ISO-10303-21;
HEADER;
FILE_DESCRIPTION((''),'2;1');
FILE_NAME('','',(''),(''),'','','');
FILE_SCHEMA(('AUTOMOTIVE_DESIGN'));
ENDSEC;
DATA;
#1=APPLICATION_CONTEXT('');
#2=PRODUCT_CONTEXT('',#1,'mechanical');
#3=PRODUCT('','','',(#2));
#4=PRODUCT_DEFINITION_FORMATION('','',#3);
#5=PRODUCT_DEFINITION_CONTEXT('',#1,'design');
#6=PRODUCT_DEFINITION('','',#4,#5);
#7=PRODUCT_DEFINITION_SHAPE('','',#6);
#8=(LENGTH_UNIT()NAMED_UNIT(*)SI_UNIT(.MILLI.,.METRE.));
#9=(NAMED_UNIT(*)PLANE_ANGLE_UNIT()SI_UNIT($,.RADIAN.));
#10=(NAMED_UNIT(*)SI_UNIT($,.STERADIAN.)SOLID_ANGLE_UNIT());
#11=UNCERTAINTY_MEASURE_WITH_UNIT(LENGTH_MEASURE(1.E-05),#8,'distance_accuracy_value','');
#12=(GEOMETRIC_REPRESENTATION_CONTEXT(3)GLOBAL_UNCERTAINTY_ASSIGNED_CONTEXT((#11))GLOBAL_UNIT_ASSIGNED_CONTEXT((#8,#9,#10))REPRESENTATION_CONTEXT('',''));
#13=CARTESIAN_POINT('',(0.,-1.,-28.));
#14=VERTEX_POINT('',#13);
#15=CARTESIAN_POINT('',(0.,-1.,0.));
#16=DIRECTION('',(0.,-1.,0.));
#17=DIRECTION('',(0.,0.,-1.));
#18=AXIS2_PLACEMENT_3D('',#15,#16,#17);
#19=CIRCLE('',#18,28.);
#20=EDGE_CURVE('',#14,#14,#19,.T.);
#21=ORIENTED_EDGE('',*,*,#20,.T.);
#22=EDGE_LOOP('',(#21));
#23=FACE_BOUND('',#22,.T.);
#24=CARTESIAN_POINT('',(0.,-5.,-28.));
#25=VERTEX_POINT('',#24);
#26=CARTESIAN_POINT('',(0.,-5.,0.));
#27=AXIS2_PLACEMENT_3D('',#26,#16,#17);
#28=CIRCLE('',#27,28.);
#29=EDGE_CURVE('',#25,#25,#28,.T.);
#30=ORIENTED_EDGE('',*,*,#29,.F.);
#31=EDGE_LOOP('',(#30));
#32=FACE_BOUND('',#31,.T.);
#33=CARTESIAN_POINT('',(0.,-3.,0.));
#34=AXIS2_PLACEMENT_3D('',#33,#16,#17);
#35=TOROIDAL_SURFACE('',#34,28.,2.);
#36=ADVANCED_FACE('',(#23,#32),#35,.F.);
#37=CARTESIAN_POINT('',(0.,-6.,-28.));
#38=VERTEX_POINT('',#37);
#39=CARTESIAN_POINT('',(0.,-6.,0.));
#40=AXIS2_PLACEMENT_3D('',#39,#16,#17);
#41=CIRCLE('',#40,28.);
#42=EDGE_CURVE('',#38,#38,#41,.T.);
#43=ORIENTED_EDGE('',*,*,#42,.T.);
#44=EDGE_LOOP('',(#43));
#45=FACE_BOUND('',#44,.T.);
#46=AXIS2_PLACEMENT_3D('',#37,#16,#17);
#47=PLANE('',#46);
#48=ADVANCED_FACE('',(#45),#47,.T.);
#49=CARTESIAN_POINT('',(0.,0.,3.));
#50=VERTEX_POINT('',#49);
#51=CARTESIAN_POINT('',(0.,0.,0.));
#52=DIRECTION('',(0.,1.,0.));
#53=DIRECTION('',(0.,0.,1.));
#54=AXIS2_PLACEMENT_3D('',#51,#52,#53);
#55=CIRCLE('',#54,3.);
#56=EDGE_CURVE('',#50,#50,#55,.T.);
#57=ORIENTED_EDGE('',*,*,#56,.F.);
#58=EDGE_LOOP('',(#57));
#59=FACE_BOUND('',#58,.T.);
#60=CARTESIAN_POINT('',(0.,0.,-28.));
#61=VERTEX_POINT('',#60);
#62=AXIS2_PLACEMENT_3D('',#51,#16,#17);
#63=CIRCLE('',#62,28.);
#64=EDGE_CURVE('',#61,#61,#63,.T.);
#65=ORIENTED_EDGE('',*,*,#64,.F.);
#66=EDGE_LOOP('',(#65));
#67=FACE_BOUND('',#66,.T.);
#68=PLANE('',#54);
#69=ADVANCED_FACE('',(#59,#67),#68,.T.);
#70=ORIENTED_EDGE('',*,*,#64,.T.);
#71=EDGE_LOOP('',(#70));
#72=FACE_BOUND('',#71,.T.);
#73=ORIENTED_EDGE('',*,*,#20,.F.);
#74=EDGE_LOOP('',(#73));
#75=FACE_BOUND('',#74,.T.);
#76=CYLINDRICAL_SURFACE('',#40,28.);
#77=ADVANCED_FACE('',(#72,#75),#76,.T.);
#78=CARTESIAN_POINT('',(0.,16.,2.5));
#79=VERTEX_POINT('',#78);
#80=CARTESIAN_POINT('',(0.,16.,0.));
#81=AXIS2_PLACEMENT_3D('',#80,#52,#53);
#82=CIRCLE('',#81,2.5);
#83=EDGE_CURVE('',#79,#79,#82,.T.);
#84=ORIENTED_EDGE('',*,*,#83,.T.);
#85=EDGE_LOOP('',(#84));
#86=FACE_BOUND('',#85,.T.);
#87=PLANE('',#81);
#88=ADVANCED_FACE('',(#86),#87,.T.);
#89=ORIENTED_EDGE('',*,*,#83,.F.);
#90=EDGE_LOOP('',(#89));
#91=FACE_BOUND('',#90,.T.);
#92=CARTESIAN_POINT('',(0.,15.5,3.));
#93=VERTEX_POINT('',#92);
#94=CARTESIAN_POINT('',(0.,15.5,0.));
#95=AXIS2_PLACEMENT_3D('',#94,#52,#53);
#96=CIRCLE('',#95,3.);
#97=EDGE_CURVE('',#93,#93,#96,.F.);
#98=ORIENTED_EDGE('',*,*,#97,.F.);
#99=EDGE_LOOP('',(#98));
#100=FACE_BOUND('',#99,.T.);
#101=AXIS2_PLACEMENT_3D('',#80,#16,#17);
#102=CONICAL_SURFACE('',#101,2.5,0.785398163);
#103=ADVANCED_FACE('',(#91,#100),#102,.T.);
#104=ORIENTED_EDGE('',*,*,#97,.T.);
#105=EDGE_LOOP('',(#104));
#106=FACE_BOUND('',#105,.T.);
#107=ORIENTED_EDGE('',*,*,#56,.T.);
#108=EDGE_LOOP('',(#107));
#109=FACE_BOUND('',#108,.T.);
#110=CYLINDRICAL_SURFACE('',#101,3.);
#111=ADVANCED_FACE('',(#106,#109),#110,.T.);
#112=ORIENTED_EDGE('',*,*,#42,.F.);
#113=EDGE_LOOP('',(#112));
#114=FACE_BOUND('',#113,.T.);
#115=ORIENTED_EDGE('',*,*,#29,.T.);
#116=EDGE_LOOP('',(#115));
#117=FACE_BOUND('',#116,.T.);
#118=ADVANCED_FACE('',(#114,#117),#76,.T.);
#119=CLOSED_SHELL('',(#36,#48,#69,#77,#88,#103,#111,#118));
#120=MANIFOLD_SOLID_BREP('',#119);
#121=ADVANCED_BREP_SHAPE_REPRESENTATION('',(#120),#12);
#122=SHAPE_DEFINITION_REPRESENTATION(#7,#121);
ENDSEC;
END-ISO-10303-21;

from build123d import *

# Parameters (mm, degrees)
ESQUISSE1_R        = 3
BOSS_EXTRU_1_DEPTH = 16
CHANFREIN1_SIZE    = 0.5


with BuildPart() as part:
    # Esquisse1 → Boss.-Extru.1 (new body)
    with BuildSketch(Plane(origin=(0, 0, 0), x_dir=(1, 0, 0), z_dir=(0, 1, 0))):
        Circle(ESQUISSE1_R)
    extrude(amount=BOSS_EXTRU_1_DEPTH)

    # Esquisse4 → Révolution1 (revolve)
    with BuildSketch(Plane(origin=(0, 0, 0), x_dir=(0, 0, -1), z_dir=(1, 0, 0))):
        with BuildLine():
            Line((0, 0), (28, 0))
            Line((28, 0), (28, -1))
            ThreePointArc((28, -1), (26, -3), (28, -5))
            Line((28, -5), (28, -6))
            Line((28, -6), (0, -6))
            Line((0, -6), (0, 0))
        make_face()
    revolve(axis=Axis((0, -6, 0), (0, 1, 0)))

    # Chanfrein1
    chanfrein1_edges = [part.edges().sort_by_distance(p)[0] for p in [
        (-3, 16, 0),
    ]]
    chamfer(chanfrein1_edges, length=CHANFREIN1_SIZE)


solid = part.part
